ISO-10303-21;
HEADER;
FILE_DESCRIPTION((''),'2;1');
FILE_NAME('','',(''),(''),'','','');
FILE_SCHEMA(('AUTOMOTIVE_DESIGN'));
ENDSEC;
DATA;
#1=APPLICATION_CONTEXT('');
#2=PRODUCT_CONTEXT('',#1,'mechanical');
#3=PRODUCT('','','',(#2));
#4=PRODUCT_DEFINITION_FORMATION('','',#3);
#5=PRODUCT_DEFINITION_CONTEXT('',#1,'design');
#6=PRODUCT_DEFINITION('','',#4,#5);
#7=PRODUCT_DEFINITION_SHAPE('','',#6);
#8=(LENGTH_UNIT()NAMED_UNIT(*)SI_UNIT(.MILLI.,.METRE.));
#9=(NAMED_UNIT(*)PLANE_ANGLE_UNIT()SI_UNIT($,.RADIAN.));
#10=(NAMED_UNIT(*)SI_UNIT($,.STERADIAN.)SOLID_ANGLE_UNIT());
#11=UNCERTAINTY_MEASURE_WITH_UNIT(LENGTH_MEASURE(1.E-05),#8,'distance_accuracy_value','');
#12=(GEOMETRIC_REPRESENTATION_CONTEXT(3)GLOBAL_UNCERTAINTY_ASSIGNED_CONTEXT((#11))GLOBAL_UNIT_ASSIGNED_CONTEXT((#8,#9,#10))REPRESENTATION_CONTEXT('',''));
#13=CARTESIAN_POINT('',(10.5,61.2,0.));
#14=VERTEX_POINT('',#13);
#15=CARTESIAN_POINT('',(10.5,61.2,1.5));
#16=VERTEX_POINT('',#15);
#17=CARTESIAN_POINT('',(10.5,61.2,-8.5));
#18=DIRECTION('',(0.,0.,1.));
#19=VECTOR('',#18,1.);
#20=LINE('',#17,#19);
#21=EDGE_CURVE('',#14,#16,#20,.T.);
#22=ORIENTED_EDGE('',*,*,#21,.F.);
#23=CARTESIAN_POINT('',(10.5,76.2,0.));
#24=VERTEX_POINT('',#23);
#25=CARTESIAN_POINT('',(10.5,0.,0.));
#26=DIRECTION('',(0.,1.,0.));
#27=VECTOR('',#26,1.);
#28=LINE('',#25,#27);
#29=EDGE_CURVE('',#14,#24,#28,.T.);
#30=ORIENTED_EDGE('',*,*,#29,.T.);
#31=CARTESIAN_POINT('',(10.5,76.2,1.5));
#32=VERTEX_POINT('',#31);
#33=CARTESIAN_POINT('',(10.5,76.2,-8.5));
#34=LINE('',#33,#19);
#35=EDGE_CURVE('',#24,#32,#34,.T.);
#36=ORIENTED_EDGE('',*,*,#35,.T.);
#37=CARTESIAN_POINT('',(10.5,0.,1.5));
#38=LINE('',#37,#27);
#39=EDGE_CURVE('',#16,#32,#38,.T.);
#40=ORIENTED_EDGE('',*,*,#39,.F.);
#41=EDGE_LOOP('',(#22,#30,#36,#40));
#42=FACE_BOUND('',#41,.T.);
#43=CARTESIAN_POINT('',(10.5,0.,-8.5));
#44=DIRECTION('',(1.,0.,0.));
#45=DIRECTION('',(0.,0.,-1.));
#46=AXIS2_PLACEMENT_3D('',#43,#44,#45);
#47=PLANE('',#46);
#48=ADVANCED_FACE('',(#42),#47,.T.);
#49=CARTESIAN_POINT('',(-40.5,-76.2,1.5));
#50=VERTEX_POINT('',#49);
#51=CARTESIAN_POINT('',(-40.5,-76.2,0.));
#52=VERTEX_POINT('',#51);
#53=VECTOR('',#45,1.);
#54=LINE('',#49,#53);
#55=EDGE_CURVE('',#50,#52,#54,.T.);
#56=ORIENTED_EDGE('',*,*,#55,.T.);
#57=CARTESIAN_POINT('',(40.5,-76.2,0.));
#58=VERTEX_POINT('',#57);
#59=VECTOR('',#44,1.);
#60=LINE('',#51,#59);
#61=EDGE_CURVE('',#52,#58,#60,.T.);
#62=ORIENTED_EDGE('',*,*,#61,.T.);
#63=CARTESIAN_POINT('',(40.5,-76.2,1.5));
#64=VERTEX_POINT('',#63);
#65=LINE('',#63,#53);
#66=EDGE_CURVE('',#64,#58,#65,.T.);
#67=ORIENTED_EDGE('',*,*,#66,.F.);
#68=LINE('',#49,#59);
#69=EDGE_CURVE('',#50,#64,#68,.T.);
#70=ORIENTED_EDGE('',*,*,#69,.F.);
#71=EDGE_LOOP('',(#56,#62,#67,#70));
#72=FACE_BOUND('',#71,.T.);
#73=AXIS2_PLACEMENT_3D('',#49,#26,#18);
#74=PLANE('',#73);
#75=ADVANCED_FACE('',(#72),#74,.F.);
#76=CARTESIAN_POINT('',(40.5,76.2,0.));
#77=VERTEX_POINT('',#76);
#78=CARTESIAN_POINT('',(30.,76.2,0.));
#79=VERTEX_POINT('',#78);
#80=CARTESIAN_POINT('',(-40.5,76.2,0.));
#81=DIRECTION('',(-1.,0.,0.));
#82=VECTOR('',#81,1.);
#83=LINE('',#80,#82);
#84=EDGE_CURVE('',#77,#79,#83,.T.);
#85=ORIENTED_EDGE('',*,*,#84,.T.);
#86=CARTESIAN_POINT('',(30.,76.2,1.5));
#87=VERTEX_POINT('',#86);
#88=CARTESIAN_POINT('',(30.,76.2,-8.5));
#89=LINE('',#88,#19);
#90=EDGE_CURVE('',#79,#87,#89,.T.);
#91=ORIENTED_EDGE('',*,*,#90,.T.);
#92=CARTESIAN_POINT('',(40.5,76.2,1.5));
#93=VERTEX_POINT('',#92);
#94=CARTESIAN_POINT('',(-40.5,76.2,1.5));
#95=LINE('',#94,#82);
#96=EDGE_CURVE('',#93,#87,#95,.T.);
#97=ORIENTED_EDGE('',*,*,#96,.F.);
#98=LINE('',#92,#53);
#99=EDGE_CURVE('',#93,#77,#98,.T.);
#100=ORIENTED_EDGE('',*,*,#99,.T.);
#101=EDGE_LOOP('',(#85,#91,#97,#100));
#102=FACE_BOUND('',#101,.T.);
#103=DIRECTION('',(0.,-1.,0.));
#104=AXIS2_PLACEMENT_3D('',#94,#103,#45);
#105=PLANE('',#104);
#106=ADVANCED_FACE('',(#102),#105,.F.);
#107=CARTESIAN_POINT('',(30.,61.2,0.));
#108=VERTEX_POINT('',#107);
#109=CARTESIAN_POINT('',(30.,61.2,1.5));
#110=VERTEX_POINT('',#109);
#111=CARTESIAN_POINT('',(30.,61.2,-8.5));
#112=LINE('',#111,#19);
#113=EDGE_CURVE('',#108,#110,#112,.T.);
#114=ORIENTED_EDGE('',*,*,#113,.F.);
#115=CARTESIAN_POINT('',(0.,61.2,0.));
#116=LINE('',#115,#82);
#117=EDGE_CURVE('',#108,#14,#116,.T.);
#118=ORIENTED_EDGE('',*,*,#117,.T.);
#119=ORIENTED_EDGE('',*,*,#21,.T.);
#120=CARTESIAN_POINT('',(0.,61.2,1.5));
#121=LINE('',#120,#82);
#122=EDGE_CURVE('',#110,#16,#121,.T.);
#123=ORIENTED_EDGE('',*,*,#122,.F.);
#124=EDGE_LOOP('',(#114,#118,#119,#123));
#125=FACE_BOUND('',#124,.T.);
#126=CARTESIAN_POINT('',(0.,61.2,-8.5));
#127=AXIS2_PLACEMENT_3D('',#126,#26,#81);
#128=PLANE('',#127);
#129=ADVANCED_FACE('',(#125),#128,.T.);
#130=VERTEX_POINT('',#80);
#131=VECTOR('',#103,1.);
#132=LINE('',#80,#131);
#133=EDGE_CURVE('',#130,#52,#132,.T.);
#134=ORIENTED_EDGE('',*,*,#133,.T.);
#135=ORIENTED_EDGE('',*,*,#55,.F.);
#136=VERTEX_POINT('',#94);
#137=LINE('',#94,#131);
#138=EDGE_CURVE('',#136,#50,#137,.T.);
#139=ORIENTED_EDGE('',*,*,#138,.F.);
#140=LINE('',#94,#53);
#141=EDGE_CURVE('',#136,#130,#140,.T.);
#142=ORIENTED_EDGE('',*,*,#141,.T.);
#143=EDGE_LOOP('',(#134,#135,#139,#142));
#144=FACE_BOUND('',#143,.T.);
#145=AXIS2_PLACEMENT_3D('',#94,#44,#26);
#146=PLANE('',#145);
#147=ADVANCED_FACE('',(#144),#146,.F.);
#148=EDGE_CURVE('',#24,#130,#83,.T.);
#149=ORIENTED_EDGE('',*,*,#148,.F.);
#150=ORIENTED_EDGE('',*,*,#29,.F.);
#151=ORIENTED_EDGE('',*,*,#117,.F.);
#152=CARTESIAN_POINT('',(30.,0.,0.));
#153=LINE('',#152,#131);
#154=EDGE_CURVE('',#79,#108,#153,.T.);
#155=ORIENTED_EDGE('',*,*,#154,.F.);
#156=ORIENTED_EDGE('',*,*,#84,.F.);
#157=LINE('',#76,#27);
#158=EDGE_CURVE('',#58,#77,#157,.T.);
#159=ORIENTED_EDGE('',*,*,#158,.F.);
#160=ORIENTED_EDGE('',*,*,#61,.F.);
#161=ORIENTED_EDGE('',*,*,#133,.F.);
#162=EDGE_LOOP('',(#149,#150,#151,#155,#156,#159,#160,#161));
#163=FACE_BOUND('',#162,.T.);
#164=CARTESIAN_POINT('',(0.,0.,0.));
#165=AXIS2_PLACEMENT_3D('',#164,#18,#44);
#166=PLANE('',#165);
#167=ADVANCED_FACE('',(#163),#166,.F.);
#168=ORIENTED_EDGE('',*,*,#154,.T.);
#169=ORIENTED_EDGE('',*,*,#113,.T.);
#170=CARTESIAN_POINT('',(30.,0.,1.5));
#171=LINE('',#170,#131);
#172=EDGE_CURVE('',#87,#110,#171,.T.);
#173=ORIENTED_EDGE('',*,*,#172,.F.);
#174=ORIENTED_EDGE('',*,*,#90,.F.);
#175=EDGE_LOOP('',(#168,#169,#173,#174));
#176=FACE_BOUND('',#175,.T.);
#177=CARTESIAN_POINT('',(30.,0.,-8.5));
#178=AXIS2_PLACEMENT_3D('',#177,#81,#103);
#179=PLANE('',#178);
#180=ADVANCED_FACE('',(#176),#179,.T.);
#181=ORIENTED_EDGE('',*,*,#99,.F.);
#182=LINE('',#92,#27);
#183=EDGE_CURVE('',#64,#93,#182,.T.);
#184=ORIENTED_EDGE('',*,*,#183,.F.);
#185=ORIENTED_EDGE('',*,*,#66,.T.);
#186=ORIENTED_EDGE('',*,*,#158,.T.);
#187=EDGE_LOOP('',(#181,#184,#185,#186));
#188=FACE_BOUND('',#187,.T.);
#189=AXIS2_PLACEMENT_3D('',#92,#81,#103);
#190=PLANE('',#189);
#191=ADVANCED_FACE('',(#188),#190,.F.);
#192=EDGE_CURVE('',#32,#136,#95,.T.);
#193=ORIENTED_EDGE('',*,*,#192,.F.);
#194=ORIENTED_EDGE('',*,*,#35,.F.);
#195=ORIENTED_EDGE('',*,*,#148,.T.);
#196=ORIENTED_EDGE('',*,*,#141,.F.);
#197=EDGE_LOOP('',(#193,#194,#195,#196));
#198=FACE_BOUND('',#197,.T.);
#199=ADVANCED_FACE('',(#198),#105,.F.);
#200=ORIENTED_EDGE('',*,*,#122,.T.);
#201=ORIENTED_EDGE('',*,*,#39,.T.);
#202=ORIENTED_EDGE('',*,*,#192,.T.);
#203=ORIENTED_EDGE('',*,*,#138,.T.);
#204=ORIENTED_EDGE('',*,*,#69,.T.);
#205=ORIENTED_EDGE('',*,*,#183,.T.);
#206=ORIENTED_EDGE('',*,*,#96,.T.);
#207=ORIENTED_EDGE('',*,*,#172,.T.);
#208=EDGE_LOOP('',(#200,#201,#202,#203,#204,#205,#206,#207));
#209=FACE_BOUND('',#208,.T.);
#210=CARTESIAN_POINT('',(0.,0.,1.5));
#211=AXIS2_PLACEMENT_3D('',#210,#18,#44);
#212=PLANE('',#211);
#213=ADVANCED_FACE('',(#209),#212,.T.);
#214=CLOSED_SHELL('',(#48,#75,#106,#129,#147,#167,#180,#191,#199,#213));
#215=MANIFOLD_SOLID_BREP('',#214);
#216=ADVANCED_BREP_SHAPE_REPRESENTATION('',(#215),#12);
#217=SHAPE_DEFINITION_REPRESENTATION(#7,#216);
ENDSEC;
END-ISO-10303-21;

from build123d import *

# Parameters (mm, degrees)
SKETCH1_W           = 81
SKETCH1_H           = 152.4
BOSS_EXTRUDE1_DEPTH = 1.5
SKETCH3_W           = 19.5
SKETCH3_H           = 15
CUT_EXTRUDE1_DEPTH  = 10


with BuildPart() as part:
    # Sketch1 → Boss-Extrude1 (new body)
    with BuildSketch(Plane.XY):
        Rectangle(SKETCH1_W, SKETCH1_H)
    extrude(amount=BOSS_EXTRUDE1_DEPTH)

    # Sketch3 → Cut-Extrude1 (cut)
    with BuildSketch(Plane.XY.offset(1.5)):
        with Locations((20.25, 68.7)):
            Rectangle(SKETCH3_W, SKETCH3_H)
    extrude(amount=-CUT_EXTRUDE1_DEPTH, mode=Mode.SUBTRACT)


solid = part.part
